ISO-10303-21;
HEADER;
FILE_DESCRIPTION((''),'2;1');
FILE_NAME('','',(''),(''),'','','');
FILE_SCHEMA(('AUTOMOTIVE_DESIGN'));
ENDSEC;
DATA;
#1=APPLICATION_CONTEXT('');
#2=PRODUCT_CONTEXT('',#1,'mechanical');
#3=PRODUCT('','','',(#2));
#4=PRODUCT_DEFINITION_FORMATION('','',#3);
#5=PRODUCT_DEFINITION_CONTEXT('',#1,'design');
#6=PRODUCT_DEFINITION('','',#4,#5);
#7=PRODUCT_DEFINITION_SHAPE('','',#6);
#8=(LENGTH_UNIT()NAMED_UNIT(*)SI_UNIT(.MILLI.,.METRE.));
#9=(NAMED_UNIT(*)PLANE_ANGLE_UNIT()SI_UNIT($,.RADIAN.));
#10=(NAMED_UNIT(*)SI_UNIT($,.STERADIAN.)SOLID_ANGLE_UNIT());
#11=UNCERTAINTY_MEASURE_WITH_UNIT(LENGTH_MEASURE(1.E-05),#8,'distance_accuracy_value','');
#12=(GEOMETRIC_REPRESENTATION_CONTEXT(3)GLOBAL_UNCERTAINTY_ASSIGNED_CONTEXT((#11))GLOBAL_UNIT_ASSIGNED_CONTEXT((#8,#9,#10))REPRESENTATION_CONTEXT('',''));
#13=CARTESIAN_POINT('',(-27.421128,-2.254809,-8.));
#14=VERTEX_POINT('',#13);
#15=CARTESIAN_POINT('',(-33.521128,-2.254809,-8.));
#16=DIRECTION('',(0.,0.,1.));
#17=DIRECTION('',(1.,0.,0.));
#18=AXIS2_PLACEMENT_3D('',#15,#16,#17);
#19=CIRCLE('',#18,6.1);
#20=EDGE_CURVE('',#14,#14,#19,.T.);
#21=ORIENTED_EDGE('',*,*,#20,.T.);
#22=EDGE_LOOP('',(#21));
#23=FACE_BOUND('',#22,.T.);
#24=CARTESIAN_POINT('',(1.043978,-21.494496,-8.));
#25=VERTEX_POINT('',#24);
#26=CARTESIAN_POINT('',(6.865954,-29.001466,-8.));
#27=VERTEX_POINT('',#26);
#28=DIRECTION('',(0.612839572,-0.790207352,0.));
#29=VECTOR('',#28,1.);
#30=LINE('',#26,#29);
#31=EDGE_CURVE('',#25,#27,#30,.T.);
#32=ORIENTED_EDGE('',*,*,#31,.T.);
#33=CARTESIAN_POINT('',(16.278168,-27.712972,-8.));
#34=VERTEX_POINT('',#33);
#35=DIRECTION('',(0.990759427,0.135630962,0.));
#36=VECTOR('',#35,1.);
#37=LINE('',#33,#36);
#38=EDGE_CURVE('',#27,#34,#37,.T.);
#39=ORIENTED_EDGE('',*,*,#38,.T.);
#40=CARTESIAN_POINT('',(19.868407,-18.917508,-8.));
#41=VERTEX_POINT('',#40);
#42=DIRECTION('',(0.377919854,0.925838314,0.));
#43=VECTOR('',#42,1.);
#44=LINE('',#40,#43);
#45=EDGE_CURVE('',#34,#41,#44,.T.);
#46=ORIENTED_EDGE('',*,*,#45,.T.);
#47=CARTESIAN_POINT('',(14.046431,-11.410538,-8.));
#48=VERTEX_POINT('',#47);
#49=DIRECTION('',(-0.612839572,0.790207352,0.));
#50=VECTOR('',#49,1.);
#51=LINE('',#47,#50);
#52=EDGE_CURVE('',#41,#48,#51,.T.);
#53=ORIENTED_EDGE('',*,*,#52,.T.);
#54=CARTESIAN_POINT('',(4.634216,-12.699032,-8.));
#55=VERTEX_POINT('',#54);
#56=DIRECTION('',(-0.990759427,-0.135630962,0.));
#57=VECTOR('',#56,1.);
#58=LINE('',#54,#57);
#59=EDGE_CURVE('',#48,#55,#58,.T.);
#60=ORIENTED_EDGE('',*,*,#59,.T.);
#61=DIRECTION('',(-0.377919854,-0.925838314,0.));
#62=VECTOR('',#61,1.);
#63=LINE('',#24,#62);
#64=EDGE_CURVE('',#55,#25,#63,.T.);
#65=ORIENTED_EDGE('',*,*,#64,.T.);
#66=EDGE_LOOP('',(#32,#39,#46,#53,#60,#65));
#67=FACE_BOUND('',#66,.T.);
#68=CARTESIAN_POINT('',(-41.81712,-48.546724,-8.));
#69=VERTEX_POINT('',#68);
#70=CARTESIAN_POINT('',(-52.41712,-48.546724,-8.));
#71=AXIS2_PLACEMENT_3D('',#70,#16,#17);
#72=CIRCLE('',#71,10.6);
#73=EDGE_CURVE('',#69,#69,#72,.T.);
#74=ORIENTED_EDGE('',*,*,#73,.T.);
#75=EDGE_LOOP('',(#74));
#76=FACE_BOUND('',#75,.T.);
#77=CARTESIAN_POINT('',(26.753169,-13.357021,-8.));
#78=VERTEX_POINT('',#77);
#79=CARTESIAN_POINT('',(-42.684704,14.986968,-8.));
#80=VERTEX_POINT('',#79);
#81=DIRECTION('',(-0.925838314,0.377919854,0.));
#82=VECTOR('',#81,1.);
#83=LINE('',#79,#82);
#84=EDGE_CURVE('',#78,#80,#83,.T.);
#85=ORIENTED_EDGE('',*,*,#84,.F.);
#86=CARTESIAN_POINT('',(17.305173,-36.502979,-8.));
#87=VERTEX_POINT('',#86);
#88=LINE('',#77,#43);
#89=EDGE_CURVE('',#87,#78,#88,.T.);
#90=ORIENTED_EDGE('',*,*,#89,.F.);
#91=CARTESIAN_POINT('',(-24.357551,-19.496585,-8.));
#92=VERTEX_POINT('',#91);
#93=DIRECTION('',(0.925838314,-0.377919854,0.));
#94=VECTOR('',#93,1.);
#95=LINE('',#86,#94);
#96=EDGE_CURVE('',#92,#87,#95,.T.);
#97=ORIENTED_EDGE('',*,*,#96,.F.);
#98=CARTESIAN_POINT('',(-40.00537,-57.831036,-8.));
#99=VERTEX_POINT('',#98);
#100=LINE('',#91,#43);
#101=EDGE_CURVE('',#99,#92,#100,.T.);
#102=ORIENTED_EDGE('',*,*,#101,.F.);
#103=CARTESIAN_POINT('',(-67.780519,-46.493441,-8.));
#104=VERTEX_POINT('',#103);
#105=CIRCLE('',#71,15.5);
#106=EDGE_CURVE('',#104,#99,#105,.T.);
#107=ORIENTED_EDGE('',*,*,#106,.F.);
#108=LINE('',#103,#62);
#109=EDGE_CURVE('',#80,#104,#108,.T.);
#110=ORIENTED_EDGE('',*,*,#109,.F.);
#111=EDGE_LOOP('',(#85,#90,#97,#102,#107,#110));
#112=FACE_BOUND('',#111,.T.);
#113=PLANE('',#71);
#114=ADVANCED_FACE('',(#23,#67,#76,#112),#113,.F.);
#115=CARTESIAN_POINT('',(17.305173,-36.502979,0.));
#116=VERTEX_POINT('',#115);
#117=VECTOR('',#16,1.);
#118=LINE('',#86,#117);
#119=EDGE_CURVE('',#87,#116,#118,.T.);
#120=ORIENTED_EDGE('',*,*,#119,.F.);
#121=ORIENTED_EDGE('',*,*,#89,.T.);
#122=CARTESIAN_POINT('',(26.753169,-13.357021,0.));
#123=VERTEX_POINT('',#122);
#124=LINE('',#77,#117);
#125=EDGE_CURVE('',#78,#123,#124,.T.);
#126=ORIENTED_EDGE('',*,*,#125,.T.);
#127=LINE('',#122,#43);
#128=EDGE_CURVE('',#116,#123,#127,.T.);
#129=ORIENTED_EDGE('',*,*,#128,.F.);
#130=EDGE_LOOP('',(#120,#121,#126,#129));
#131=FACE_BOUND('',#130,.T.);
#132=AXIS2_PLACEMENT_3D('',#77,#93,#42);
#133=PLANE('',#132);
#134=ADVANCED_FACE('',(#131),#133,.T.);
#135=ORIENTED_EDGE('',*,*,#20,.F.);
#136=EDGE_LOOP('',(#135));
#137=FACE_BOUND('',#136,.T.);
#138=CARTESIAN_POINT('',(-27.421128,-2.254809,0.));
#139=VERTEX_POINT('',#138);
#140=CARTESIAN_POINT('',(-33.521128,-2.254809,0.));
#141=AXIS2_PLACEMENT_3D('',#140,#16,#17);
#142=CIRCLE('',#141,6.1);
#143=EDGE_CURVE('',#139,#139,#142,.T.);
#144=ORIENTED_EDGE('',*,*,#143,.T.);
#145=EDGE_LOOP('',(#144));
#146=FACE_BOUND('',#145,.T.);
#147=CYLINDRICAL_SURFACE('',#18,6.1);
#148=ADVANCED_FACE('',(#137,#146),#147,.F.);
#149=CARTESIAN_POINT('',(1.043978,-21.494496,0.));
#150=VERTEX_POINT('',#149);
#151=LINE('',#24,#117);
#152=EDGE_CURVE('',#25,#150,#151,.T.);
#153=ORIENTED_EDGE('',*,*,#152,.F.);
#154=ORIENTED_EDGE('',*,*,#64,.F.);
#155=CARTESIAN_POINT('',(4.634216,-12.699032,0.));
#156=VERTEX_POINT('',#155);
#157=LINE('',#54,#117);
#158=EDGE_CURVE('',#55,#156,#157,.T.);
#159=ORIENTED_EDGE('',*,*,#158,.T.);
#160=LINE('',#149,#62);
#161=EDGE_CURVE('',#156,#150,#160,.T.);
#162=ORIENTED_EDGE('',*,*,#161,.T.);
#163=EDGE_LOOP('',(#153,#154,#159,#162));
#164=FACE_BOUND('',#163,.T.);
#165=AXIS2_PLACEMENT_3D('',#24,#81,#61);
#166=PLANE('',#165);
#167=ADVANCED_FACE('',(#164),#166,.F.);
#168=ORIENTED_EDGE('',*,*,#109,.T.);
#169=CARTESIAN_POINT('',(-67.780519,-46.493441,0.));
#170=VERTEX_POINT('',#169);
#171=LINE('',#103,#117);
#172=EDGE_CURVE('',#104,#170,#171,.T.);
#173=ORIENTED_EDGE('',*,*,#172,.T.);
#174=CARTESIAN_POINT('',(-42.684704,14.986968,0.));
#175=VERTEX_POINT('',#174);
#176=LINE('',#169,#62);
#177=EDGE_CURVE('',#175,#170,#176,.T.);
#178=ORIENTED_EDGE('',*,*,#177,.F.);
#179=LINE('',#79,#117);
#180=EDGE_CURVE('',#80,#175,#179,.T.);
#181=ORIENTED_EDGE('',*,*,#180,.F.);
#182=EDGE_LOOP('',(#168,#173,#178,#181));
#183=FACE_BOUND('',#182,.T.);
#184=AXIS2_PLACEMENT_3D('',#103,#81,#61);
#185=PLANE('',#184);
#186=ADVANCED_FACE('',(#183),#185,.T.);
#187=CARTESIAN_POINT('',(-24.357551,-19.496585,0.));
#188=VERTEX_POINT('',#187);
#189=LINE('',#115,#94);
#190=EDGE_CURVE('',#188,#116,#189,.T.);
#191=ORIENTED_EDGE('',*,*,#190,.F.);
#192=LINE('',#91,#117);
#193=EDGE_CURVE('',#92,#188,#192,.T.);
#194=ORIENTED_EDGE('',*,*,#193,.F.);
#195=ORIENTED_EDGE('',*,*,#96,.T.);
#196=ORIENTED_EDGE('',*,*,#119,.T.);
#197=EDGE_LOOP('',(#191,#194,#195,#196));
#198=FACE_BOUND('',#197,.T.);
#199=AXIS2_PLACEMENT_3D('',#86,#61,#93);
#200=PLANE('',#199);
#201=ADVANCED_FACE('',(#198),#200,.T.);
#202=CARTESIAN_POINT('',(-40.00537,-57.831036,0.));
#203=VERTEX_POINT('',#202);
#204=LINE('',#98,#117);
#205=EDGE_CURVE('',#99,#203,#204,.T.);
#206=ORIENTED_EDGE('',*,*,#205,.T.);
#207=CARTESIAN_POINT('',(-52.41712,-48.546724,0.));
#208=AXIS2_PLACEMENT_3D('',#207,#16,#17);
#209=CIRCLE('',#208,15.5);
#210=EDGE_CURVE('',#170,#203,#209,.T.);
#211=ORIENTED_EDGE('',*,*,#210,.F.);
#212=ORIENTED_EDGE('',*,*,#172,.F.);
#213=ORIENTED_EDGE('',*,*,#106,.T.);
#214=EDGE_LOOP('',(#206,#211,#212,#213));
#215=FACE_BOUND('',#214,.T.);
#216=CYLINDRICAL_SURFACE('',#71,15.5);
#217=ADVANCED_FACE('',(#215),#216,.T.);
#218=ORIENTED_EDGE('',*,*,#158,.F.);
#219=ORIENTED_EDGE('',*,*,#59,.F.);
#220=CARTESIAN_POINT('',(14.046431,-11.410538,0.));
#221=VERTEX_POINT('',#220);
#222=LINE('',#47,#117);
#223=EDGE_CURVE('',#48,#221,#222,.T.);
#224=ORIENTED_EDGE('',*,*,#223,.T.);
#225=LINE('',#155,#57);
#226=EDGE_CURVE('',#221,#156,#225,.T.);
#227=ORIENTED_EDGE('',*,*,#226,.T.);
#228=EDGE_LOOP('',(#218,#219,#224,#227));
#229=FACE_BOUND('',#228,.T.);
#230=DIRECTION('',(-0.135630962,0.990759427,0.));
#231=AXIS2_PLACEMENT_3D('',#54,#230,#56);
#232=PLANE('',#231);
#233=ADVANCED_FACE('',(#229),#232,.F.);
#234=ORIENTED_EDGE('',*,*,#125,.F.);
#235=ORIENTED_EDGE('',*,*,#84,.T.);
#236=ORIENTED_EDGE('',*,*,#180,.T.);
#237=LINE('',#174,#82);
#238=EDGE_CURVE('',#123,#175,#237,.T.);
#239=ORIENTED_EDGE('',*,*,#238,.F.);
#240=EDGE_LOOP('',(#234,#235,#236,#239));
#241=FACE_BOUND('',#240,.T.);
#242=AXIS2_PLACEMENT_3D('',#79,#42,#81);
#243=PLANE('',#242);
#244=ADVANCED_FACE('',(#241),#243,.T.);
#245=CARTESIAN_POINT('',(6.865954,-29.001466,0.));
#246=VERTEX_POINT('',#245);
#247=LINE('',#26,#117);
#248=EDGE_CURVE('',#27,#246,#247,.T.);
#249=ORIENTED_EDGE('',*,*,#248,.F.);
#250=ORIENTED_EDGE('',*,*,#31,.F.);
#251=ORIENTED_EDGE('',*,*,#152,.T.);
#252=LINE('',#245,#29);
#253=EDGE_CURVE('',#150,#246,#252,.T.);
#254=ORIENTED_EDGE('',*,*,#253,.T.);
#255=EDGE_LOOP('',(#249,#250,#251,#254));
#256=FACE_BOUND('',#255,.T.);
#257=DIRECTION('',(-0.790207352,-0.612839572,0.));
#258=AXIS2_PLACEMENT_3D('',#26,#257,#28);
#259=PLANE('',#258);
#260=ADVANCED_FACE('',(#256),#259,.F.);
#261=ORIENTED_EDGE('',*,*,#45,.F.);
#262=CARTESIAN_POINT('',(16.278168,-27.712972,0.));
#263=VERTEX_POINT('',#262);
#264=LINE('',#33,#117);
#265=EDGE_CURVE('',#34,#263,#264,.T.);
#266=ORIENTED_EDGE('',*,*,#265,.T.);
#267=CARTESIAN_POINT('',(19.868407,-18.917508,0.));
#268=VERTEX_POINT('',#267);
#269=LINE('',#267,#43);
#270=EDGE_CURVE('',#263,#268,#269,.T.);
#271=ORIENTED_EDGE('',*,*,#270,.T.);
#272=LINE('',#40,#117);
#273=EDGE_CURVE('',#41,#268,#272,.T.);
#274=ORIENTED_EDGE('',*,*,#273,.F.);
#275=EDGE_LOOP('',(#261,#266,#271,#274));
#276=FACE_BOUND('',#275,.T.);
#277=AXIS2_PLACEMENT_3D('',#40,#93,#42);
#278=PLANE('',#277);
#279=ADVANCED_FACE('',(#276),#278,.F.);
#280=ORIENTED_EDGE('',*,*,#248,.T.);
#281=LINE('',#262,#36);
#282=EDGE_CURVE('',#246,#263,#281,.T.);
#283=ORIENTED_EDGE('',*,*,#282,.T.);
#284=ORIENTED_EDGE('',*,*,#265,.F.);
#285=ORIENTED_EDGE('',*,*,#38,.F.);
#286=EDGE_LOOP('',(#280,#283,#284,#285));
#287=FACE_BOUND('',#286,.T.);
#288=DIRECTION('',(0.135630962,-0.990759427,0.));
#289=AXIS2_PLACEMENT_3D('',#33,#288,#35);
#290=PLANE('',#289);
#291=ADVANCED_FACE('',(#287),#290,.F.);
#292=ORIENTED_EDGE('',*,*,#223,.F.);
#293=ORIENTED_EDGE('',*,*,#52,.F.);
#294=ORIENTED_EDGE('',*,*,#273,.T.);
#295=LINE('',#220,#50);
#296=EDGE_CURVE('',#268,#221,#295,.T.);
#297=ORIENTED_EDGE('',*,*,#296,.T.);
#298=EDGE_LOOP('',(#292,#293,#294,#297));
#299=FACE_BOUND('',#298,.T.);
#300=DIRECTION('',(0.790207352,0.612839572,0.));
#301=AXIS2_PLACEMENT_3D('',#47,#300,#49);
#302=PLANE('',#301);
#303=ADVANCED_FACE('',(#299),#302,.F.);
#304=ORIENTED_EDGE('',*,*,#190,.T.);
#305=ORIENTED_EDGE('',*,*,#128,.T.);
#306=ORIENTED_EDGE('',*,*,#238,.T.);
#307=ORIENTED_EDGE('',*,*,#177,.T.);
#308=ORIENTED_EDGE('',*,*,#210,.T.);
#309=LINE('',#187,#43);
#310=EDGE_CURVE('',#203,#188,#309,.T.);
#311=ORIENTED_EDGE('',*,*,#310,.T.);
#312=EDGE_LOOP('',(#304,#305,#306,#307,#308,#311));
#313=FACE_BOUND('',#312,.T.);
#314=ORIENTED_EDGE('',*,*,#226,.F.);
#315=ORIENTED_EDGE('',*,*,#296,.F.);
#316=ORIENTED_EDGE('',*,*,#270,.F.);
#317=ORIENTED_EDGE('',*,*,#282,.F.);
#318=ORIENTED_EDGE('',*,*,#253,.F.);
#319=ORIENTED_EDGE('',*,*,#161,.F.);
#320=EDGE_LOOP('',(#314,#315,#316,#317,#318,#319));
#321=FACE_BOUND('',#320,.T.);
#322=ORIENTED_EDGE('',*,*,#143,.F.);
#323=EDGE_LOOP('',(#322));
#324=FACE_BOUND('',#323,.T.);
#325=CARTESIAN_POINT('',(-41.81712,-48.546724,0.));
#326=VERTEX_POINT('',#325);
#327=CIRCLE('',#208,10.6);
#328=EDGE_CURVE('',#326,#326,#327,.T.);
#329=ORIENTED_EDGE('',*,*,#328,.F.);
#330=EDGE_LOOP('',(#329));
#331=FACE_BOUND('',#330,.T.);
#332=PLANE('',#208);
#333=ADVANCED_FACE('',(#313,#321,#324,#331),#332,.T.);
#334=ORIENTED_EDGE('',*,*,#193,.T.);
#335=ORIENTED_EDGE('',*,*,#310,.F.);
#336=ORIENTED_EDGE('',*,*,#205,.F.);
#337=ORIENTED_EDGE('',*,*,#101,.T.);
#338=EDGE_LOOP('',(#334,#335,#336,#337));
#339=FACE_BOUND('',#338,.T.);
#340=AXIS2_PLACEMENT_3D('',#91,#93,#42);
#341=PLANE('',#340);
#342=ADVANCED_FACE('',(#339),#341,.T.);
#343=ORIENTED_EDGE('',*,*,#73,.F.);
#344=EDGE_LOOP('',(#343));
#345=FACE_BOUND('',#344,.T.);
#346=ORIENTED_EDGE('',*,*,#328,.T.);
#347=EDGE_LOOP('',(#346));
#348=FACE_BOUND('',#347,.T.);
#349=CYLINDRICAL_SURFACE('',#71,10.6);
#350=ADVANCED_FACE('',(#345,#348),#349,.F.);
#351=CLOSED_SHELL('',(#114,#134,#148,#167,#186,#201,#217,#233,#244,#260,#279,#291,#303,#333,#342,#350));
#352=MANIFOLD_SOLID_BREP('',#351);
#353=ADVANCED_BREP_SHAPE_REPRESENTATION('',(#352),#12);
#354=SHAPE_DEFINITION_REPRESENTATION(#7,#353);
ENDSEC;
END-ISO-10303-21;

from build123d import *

# Parameters (mm, degrees)
SKETCH_1_R      = 6.1
SKETCH_1_R_2    = 10.6
EXTRUDE_1_DEPTH = 8


with BuildPart() as part:
    # 草圖1 → 填料-伸長1 (new body)
    with BuildSketch(Plane.XY):
        with BuildLine():
            Line((-42.684704159, 14.986968014), (26.753169389, -13.357021069))
            Line((26.753169389, -13.357021069), (17.305173028, -36.502978918))
            Line((17.305173028, -36.502978918), (-24.357551101, -19.496585468))
            Line((-24.357551101, -19.496585468), (-40.005369853, -57.831036438))
            ThreePointArc((-40.005369853, -57.831036438), (-58.274878096, -62.897218292), (-67.780519272, -46.493440805))
            Line((-67.780519272, -46.493440805), (-42.684704159, 14.986968014))
        make_face()
        with Locations((-33.52112763, -2.254808727)):
            Circle(SKETCH_1_R, mode=Mode.SUBTRACT)
        with Locations((-52.417120352, -48.546724426)):
            Circle(SKETCH_1_R_2, mode=Mode.SUBTRACT)
        Polygon((1.043977728, -21.494495956), (4.634216345, -12.699031974), (14.046430901, -11.41053783), (19.868406839, -18.91750767), (16.278168222, -27.712971653), (6.865953666, -29.001465796), align=None, mode=Mode.SUBTRACT)
    extrude(amount=-EXTRUDE_1_DEPTH)


solid = part.part
